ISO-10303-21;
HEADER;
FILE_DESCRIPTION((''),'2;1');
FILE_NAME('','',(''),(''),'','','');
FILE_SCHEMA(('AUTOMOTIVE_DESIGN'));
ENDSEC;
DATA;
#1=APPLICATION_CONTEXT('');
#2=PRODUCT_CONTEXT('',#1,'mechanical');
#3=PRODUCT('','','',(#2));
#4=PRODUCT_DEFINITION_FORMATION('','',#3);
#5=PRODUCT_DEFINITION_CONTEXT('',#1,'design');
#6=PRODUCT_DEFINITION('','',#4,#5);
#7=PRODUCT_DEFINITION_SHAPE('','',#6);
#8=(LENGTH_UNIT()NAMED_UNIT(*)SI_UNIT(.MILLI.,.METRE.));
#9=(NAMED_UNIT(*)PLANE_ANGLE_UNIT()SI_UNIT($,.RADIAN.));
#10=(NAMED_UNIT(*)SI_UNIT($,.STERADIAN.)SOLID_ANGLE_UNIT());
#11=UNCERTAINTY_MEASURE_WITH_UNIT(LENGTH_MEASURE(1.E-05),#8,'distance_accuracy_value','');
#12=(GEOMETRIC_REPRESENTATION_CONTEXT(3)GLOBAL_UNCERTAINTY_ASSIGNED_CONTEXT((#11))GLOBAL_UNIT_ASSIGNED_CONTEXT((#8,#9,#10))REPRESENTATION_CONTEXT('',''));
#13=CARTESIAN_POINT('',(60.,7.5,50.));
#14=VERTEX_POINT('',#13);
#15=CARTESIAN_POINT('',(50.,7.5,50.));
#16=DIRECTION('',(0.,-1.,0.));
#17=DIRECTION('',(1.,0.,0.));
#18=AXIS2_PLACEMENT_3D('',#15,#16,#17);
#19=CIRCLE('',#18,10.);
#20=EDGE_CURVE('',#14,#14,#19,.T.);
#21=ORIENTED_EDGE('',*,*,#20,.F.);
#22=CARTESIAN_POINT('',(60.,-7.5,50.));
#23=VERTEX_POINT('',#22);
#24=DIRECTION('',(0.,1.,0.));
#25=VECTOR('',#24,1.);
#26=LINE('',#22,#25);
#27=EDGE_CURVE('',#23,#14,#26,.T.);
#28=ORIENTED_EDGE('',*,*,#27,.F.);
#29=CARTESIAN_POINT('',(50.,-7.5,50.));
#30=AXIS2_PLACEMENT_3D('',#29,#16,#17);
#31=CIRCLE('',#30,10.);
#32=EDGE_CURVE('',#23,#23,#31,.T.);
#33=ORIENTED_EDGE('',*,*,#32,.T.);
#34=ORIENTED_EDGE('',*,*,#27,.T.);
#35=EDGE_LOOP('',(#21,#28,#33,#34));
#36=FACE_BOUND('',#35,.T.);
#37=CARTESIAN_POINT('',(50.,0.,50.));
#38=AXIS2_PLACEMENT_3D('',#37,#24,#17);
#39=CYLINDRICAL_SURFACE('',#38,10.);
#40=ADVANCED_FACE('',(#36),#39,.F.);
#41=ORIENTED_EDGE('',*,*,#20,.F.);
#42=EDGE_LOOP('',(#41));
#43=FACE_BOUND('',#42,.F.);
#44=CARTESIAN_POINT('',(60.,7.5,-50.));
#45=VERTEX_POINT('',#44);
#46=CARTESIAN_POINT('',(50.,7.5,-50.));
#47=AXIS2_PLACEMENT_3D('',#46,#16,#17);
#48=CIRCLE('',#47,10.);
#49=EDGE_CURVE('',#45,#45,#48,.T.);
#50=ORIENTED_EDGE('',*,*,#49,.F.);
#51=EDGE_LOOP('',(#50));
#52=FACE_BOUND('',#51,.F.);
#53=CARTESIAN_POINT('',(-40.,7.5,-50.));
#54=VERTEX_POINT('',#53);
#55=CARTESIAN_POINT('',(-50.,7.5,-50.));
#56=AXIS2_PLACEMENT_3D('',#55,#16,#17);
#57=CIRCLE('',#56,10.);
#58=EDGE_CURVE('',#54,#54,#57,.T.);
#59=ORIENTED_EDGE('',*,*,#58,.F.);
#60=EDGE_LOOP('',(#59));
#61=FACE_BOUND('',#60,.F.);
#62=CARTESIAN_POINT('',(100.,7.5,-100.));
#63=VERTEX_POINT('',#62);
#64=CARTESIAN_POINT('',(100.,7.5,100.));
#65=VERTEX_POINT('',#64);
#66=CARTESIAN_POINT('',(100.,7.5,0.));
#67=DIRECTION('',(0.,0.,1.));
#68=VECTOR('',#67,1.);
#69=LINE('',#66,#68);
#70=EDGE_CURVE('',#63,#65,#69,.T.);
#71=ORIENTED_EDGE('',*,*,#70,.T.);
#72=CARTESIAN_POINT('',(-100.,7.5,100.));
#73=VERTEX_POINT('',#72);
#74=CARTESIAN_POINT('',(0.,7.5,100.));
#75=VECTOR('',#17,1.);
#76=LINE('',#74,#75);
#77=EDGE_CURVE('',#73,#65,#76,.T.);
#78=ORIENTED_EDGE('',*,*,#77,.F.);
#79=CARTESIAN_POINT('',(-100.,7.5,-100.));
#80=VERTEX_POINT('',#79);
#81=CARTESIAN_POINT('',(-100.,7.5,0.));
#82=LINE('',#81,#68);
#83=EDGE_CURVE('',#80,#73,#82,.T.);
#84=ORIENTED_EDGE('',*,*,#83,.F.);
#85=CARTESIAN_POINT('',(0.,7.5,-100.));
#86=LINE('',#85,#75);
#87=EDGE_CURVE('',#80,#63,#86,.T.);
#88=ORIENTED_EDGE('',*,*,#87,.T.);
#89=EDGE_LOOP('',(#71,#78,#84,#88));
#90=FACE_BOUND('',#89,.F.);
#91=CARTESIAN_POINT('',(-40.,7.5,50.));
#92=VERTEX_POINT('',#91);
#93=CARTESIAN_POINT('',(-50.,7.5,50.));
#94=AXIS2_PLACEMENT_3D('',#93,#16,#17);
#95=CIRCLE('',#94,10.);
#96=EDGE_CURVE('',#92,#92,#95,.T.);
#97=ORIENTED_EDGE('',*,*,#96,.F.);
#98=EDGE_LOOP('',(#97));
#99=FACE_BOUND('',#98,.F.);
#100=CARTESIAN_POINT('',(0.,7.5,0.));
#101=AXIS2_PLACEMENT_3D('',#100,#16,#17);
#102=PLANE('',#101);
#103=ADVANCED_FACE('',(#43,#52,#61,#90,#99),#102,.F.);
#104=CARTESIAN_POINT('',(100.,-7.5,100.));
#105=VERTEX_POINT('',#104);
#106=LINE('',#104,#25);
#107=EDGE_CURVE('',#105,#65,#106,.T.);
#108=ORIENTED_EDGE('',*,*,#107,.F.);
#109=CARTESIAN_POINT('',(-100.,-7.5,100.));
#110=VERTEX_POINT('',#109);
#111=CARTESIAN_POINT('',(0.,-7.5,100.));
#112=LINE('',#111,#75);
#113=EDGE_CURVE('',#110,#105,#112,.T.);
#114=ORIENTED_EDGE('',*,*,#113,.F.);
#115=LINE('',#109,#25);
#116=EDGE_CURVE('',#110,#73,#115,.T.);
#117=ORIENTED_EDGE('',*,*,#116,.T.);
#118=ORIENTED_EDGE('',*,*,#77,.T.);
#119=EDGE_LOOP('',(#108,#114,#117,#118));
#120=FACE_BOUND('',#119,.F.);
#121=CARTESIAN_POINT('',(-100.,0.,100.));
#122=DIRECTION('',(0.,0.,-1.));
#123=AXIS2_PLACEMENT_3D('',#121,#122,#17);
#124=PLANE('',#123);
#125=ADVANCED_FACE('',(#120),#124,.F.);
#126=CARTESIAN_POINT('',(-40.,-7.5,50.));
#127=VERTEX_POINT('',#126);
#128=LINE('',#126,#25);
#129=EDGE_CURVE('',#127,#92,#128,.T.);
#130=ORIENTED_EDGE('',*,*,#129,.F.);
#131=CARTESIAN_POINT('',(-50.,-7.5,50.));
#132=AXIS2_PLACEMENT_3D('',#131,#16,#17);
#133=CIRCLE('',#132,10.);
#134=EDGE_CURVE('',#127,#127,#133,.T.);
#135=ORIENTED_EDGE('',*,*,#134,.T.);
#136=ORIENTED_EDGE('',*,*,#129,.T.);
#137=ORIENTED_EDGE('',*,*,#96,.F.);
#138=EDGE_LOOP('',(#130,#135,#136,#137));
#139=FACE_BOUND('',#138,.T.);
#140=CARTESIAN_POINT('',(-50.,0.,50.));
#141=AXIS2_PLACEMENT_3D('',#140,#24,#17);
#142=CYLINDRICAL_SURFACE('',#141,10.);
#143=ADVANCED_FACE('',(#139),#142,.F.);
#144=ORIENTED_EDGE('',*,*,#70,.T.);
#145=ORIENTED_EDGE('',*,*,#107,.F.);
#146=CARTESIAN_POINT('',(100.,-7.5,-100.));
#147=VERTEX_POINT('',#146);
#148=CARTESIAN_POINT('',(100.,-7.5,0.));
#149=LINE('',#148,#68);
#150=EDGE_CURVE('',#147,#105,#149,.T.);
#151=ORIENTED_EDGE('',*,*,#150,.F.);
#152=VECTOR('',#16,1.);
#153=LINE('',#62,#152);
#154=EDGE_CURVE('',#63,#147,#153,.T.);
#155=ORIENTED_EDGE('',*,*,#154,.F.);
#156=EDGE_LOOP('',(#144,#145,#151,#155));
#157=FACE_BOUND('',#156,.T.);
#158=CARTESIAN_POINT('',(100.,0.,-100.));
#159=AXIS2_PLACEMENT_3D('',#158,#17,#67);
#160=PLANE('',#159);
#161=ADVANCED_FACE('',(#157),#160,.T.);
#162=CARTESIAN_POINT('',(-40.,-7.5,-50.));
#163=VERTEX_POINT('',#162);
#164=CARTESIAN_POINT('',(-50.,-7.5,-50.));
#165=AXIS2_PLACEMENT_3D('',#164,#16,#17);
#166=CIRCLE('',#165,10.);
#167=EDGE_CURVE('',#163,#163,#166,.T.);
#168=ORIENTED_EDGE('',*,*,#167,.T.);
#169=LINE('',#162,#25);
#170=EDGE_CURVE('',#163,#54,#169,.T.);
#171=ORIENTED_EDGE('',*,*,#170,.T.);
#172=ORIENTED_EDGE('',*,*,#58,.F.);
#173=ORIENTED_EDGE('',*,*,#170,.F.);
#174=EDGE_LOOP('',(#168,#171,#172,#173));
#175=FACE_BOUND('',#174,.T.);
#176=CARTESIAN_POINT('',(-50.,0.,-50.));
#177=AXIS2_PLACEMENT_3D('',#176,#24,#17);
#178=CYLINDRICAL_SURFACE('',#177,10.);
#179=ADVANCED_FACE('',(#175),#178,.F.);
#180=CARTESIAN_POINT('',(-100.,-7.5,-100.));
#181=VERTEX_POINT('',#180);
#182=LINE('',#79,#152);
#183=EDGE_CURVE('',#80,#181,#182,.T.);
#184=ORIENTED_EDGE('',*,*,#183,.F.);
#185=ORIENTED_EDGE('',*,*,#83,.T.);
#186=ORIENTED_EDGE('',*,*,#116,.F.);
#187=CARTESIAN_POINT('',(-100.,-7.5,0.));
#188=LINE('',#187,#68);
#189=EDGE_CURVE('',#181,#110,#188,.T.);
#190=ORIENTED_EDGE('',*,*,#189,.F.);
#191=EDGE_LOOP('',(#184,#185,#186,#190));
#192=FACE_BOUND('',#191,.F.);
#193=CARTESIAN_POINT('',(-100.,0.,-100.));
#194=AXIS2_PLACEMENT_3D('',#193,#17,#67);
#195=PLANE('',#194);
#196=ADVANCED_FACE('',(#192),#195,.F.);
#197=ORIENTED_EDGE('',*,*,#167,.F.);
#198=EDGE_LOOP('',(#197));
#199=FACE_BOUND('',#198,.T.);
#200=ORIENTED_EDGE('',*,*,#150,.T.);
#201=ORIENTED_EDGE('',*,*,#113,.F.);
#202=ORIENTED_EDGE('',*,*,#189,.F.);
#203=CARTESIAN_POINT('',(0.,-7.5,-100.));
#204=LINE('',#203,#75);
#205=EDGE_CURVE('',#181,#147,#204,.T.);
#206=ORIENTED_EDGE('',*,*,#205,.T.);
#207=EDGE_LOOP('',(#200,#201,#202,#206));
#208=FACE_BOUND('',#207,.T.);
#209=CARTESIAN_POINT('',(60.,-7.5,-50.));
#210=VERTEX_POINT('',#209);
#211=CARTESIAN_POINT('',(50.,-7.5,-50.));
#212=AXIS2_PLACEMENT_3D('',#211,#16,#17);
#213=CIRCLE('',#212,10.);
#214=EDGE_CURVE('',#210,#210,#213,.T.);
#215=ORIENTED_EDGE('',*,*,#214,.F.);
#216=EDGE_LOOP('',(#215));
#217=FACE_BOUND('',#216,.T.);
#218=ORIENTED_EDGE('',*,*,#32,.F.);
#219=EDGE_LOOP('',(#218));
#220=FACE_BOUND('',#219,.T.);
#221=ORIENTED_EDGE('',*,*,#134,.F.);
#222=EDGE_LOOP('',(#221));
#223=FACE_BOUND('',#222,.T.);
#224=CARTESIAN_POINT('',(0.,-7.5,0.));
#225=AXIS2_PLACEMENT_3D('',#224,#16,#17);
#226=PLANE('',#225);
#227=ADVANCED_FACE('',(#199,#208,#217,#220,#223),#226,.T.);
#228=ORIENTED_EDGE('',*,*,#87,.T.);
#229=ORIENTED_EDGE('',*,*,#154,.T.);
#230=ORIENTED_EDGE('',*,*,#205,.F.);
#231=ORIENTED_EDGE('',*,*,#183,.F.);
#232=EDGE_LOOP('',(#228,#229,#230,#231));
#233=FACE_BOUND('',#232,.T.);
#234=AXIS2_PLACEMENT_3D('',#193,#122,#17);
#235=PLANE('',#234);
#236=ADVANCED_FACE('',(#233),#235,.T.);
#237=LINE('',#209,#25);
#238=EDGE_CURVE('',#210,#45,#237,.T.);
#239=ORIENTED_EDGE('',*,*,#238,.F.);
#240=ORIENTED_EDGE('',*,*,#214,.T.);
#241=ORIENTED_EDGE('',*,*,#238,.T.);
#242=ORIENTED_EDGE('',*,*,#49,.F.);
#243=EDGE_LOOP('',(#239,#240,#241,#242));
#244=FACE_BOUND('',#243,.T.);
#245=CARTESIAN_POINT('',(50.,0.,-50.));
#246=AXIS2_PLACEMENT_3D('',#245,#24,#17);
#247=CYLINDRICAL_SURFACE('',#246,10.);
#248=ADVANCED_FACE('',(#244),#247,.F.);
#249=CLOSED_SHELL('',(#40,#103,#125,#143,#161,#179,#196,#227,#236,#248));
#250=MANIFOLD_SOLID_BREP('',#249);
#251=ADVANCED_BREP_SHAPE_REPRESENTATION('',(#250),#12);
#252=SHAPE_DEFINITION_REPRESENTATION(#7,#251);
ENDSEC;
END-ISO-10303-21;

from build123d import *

# Parameters (mm, degrees)
F0_W     = 200
F0_H     = 200
F0_R     = 10
F1_DEPTH = 7.5


with BuildPart() as f1:
    # F0 (on Front) → F1 (new body, symmetric)
    with BuildSketch(Plane.XZ):
        Rectangle(F0_W, F0_H)
        with Locations((-50, -50)):
            Circle(F0_R, mode=Mode.SUBTRACT)
        with Locations((50, -50)):
            Circle(F0_R, mode=Mode.SUBTRACT)
        with Locations((-50, 50)):
            Circle(F0_R, mode=Mode.SUBTRACT)
        with Locations((50, 50)):
            Circle(F0_R, mode=Mode.SUBTRACT)
    extrude(amount=F1_DEPTH, both=True)


solid = f1.part
